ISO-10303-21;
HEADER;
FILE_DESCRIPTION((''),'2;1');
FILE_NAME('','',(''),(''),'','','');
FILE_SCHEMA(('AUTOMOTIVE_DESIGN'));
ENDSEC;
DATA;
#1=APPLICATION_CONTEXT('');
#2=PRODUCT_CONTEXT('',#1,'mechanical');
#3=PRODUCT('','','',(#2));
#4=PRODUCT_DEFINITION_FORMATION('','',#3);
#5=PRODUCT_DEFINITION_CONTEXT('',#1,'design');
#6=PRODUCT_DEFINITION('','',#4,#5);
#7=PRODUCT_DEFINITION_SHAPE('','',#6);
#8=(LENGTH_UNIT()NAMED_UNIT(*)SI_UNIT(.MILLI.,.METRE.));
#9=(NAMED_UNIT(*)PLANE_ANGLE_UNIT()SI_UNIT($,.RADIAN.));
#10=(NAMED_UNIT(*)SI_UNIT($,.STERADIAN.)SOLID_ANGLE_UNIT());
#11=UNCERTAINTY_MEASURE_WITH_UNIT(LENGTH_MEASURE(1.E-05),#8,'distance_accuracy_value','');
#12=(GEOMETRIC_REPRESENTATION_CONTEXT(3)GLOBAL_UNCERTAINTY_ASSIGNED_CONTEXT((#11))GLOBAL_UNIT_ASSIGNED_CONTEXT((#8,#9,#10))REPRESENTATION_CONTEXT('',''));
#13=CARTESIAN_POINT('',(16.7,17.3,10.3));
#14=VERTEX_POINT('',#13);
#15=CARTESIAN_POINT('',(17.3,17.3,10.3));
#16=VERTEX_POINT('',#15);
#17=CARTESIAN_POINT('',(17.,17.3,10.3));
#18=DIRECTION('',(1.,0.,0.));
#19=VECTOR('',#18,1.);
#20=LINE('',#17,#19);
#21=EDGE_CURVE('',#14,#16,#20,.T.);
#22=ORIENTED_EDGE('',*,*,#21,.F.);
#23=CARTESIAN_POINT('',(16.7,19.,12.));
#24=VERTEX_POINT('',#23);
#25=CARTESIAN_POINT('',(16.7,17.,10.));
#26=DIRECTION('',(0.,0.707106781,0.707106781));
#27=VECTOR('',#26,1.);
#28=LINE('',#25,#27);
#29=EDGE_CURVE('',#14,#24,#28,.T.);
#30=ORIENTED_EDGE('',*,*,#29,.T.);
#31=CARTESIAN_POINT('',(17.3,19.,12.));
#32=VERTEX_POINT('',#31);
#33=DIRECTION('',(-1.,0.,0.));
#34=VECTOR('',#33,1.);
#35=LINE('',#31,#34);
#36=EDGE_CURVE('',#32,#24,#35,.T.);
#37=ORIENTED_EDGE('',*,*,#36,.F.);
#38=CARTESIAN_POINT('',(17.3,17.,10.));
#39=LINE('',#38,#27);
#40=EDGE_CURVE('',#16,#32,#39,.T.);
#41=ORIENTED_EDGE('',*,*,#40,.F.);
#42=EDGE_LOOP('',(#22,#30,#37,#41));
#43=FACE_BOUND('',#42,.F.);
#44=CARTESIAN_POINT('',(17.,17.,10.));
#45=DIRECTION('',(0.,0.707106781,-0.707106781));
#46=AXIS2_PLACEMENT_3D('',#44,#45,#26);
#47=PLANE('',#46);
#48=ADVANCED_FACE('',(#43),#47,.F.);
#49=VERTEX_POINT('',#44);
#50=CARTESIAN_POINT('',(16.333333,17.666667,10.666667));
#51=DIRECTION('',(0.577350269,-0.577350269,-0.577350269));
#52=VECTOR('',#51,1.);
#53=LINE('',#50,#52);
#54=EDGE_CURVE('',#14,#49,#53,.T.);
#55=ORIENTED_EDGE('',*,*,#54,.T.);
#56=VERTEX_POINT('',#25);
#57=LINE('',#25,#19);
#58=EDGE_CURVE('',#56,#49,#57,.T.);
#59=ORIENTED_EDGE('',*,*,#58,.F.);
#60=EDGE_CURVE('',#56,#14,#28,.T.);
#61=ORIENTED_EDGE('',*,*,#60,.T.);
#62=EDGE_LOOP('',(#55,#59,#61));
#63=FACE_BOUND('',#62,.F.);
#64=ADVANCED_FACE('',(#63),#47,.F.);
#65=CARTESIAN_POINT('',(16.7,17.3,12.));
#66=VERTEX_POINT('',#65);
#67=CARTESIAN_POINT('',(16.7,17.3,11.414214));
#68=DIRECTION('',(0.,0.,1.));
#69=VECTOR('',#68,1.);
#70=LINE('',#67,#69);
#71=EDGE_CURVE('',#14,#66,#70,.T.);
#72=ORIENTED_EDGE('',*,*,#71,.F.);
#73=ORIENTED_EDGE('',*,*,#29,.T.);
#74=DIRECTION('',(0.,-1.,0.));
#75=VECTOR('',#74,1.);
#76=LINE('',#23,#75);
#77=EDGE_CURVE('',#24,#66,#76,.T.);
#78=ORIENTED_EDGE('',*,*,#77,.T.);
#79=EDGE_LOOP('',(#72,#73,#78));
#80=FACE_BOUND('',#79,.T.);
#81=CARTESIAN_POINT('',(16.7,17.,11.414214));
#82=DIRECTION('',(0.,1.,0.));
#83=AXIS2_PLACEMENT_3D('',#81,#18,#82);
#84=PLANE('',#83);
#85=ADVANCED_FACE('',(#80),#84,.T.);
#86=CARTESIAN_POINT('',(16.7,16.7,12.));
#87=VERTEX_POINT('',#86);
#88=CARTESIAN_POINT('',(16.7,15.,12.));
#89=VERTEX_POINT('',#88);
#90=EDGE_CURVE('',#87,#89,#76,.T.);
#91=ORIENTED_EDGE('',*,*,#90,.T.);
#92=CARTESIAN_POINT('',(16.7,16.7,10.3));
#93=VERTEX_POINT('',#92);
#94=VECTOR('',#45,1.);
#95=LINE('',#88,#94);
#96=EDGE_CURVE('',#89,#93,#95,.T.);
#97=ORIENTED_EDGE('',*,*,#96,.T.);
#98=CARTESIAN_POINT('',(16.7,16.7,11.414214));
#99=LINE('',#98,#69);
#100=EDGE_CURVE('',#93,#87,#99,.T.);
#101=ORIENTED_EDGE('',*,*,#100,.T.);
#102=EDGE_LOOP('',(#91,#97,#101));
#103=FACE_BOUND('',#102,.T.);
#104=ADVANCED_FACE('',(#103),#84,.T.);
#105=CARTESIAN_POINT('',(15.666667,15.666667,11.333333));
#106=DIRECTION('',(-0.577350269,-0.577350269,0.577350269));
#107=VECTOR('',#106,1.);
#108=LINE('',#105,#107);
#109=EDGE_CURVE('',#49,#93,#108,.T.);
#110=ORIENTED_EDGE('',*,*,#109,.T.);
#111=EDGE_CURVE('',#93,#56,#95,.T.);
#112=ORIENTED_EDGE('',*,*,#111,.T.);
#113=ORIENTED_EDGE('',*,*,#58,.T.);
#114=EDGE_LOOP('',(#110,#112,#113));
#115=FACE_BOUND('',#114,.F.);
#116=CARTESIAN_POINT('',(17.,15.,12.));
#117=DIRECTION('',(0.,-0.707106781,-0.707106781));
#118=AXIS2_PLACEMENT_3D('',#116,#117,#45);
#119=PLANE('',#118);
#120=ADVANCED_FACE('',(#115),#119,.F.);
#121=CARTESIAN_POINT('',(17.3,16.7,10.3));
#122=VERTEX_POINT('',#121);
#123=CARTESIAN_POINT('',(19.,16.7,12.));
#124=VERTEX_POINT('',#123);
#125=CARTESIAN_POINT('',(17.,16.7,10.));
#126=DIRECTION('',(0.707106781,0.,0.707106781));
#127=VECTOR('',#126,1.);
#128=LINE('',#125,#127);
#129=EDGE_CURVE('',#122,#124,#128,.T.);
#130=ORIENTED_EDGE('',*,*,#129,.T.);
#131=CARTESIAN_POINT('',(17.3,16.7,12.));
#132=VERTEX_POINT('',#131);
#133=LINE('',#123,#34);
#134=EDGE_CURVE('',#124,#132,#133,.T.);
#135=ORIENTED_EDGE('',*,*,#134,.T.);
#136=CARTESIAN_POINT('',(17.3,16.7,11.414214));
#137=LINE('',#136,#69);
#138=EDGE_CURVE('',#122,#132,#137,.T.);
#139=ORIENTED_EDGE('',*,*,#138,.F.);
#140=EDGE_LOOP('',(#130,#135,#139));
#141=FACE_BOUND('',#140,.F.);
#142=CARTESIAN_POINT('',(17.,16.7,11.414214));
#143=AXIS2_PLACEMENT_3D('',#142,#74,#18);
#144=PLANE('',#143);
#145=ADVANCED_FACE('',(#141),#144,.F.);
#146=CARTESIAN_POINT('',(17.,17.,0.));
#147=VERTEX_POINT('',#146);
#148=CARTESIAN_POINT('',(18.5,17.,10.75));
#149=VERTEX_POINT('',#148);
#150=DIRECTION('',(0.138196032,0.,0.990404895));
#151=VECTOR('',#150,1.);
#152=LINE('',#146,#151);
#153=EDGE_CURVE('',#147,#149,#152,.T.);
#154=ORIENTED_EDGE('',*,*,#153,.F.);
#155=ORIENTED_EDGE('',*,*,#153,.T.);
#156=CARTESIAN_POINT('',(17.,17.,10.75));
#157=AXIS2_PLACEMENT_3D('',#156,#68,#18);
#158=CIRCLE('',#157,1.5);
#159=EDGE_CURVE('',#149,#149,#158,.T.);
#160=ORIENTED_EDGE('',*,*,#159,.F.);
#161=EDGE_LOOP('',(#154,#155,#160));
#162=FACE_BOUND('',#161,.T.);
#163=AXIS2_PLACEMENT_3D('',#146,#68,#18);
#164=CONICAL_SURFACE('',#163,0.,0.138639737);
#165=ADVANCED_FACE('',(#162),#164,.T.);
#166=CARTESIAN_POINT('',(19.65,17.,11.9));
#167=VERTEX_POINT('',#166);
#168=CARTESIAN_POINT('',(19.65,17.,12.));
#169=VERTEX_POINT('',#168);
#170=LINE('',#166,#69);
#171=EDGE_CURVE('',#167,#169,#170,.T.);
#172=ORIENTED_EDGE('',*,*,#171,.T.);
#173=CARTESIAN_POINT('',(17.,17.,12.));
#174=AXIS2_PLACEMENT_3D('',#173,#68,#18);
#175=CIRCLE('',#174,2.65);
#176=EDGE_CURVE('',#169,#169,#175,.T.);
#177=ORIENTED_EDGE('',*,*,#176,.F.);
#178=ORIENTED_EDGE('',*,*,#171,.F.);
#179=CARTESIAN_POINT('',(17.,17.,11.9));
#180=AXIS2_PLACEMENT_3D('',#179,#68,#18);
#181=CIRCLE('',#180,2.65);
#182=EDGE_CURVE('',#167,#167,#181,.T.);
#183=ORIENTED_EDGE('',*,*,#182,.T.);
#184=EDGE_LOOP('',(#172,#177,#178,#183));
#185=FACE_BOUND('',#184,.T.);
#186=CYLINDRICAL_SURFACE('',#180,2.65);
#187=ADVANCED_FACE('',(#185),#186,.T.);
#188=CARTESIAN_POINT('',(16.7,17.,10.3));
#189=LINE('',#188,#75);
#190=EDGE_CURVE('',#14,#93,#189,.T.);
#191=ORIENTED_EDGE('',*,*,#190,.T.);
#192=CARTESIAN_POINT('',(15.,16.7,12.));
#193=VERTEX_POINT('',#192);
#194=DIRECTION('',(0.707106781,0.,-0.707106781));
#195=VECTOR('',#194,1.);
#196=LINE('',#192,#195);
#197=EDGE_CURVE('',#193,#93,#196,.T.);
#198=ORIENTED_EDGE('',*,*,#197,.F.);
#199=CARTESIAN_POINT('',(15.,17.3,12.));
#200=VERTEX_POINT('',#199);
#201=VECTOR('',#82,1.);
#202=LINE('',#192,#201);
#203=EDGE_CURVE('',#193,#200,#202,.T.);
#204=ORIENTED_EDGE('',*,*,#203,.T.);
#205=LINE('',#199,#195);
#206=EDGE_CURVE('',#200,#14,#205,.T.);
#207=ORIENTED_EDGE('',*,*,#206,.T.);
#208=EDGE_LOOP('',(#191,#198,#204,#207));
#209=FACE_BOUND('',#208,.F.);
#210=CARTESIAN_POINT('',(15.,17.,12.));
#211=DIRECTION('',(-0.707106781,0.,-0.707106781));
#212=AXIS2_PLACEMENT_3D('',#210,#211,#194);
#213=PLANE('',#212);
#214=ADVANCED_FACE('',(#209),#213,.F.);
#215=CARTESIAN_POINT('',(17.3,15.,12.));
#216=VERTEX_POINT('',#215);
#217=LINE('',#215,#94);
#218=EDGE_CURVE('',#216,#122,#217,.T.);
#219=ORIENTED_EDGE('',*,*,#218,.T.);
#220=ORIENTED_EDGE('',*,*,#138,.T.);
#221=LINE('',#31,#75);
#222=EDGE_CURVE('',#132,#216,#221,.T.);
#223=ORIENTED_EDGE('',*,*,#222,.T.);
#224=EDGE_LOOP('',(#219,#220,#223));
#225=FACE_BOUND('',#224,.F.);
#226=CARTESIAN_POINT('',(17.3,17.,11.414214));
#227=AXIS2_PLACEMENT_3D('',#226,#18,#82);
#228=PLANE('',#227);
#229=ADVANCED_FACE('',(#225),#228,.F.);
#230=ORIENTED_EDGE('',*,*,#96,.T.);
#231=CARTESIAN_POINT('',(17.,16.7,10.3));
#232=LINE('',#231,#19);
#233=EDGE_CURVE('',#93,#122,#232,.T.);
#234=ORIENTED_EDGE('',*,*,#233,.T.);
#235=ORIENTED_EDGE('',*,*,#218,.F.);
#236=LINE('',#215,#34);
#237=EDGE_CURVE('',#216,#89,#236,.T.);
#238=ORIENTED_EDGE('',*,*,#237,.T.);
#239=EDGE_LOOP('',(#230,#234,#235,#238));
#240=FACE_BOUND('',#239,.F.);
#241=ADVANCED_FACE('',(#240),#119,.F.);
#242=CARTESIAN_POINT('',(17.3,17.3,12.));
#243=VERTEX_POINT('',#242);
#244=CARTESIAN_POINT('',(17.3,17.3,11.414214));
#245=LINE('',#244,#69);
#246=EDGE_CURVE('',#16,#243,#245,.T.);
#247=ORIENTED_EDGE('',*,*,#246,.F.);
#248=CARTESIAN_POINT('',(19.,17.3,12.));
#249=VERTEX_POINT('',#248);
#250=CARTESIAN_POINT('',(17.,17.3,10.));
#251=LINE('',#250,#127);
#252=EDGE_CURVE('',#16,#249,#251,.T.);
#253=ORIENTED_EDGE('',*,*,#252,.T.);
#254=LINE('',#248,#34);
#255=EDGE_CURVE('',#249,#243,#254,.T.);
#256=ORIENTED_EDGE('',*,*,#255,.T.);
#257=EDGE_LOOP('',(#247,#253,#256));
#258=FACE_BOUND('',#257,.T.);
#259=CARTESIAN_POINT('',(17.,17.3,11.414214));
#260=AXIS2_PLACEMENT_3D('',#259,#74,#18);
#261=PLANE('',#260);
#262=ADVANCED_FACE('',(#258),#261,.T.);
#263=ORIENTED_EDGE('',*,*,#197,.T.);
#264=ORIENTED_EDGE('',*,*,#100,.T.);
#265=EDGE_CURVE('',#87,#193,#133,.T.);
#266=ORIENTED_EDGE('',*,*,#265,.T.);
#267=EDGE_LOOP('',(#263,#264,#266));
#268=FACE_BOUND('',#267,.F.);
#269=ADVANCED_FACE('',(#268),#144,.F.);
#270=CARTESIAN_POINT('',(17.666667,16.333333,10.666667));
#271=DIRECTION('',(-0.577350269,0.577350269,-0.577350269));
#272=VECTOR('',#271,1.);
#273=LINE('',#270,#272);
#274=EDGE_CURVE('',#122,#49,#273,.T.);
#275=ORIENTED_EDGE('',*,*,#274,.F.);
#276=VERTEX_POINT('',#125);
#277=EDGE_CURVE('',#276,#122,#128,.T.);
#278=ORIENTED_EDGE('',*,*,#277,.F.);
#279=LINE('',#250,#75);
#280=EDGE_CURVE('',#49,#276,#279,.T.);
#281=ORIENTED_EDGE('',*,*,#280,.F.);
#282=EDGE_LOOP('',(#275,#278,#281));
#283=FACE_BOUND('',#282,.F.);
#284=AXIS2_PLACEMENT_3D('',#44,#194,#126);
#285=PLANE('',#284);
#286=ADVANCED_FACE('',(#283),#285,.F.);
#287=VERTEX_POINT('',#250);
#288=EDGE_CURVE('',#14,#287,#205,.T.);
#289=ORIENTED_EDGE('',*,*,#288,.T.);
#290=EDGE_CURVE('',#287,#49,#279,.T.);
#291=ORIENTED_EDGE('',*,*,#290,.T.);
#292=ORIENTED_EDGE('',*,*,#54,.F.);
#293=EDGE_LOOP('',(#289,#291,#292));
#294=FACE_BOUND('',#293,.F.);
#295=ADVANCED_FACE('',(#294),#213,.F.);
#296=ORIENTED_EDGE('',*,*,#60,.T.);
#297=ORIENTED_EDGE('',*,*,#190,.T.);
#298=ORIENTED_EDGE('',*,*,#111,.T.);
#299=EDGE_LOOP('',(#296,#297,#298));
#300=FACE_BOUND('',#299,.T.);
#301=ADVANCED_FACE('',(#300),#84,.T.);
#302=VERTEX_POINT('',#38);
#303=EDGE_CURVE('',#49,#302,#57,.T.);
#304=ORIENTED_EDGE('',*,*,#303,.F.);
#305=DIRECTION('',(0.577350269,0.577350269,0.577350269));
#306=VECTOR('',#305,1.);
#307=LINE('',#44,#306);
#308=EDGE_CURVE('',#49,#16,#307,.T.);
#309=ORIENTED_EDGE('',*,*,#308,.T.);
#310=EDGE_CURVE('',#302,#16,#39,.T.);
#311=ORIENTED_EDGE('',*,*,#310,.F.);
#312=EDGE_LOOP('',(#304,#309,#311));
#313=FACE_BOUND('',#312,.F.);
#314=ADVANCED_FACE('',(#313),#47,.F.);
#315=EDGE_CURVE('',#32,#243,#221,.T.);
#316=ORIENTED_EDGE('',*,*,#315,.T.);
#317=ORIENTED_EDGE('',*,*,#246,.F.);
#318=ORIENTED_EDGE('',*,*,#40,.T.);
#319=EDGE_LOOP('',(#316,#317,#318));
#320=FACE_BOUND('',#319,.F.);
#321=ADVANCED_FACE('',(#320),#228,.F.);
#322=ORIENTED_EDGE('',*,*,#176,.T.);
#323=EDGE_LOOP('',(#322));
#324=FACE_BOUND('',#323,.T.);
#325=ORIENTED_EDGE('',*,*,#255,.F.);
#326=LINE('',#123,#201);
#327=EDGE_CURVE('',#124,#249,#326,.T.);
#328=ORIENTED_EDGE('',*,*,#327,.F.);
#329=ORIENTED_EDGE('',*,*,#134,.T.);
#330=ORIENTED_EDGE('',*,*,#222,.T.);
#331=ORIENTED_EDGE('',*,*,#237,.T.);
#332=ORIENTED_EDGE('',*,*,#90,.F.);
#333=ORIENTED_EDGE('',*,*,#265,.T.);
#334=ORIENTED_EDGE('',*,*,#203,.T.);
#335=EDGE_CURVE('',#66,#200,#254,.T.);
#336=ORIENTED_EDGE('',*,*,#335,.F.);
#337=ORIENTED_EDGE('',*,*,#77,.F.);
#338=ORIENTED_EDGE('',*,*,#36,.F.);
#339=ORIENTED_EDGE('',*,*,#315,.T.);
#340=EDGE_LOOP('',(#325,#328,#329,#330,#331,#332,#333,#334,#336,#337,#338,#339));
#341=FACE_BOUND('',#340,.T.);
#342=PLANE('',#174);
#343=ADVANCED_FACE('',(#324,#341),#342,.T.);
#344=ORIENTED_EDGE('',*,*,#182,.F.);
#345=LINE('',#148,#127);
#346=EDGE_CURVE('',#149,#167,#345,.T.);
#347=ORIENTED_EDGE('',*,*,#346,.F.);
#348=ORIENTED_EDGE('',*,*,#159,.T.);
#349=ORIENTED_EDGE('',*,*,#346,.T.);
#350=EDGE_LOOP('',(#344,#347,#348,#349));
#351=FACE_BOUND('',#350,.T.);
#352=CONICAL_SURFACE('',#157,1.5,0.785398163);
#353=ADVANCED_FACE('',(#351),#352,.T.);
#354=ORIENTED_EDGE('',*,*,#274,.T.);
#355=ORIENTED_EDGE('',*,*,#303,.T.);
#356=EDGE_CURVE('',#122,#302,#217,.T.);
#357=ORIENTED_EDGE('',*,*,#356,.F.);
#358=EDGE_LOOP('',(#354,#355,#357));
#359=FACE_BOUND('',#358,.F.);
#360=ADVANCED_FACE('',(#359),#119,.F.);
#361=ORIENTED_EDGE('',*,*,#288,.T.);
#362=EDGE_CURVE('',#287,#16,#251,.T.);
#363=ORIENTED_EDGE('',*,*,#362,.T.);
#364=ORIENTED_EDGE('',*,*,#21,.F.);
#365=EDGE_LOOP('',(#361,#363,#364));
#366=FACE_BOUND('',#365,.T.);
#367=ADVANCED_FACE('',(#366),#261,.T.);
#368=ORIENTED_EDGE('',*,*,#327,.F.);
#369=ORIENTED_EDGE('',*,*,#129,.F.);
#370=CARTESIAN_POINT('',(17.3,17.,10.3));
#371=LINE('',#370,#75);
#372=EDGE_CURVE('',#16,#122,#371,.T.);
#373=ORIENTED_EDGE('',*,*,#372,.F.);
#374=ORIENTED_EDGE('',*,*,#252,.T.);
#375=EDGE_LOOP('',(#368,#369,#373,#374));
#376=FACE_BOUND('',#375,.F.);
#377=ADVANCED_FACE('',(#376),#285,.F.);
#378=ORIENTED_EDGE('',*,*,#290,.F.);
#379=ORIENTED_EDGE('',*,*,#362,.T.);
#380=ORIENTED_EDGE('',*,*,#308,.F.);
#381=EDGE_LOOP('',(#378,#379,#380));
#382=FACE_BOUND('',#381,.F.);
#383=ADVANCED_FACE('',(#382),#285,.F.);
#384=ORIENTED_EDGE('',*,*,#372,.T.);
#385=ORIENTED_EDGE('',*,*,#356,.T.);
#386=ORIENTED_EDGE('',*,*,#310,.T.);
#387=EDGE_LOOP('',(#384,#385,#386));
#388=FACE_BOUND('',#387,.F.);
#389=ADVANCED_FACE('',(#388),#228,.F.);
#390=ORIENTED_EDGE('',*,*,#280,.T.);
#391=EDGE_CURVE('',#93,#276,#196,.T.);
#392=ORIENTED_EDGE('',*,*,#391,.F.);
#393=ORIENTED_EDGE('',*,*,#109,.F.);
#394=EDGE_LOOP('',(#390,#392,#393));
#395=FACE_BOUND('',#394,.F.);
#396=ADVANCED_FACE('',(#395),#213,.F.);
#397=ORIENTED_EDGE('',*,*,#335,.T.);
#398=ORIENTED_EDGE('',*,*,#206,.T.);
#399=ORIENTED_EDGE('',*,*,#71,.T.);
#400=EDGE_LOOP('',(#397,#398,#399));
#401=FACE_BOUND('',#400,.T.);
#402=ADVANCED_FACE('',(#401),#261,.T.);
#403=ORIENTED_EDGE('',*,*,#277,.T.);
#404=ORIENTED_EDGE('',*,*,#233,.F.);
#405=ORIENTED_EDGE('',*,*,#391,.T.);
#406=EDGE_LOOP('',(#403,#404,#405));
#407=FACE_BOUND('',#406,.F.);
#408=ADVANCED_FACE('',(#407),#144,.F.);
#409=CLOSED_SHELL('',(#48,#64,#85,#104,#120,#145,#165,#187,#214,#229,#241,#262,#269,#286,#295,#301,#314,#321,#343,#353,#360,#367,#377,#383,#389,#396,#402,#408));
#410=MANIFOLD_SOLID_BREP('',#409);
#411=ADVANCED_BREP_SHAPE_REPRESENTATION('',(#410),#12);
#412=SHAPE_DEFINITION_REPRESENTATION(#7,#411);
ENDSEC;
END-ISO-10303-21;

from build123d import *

# Parameters (mm, degrees)
POCKET001_DEPTH    = 0.3
POLARPATTERN_COUNT = 2
POLARPATTERN_ANGLE = 90


with BuildPart() as part:
    # Sketch013 → Revolution (revolve)
    with BuildSketch(Plane.XZ):
        Polygon((0, 0), (0, -12), (1.5, -1.25), (2.65, -0.1), (2.65, 0), align=None)
    revolve(axis=Axis((0, 0, 0), (0, 0, 1)))

    # Sketch014 → Pocket001 (cut, symmetric)
    with BuildSketch(Plane.XZ):
        Polygon((-2, 0), (0, -2), (2, 0), align=None)
    pocket001 = extrude(amount=POCKET001_DEPTH, both=True, mode=Mode.SUBTRACT)

    # PolarPattern: Pocket001 ×2 about axis
    polarpattern_axis = Axis((0, 0, 0), (0, 0, 1))
    for i in range(1, POLARPATTERN_COUNT):
        add(pocket001.rotate(polarpattern_axis, i * POLARPATTERN_ANGLE / (POLARPATTERN_COUNT - 1)), mode=Mode.SUBTRACT)


with BuildPart() as part_1:
    # Body011 placement: moved
    add(part.part.moved(Location((17, 17, 12))))


solid = part_1.part
